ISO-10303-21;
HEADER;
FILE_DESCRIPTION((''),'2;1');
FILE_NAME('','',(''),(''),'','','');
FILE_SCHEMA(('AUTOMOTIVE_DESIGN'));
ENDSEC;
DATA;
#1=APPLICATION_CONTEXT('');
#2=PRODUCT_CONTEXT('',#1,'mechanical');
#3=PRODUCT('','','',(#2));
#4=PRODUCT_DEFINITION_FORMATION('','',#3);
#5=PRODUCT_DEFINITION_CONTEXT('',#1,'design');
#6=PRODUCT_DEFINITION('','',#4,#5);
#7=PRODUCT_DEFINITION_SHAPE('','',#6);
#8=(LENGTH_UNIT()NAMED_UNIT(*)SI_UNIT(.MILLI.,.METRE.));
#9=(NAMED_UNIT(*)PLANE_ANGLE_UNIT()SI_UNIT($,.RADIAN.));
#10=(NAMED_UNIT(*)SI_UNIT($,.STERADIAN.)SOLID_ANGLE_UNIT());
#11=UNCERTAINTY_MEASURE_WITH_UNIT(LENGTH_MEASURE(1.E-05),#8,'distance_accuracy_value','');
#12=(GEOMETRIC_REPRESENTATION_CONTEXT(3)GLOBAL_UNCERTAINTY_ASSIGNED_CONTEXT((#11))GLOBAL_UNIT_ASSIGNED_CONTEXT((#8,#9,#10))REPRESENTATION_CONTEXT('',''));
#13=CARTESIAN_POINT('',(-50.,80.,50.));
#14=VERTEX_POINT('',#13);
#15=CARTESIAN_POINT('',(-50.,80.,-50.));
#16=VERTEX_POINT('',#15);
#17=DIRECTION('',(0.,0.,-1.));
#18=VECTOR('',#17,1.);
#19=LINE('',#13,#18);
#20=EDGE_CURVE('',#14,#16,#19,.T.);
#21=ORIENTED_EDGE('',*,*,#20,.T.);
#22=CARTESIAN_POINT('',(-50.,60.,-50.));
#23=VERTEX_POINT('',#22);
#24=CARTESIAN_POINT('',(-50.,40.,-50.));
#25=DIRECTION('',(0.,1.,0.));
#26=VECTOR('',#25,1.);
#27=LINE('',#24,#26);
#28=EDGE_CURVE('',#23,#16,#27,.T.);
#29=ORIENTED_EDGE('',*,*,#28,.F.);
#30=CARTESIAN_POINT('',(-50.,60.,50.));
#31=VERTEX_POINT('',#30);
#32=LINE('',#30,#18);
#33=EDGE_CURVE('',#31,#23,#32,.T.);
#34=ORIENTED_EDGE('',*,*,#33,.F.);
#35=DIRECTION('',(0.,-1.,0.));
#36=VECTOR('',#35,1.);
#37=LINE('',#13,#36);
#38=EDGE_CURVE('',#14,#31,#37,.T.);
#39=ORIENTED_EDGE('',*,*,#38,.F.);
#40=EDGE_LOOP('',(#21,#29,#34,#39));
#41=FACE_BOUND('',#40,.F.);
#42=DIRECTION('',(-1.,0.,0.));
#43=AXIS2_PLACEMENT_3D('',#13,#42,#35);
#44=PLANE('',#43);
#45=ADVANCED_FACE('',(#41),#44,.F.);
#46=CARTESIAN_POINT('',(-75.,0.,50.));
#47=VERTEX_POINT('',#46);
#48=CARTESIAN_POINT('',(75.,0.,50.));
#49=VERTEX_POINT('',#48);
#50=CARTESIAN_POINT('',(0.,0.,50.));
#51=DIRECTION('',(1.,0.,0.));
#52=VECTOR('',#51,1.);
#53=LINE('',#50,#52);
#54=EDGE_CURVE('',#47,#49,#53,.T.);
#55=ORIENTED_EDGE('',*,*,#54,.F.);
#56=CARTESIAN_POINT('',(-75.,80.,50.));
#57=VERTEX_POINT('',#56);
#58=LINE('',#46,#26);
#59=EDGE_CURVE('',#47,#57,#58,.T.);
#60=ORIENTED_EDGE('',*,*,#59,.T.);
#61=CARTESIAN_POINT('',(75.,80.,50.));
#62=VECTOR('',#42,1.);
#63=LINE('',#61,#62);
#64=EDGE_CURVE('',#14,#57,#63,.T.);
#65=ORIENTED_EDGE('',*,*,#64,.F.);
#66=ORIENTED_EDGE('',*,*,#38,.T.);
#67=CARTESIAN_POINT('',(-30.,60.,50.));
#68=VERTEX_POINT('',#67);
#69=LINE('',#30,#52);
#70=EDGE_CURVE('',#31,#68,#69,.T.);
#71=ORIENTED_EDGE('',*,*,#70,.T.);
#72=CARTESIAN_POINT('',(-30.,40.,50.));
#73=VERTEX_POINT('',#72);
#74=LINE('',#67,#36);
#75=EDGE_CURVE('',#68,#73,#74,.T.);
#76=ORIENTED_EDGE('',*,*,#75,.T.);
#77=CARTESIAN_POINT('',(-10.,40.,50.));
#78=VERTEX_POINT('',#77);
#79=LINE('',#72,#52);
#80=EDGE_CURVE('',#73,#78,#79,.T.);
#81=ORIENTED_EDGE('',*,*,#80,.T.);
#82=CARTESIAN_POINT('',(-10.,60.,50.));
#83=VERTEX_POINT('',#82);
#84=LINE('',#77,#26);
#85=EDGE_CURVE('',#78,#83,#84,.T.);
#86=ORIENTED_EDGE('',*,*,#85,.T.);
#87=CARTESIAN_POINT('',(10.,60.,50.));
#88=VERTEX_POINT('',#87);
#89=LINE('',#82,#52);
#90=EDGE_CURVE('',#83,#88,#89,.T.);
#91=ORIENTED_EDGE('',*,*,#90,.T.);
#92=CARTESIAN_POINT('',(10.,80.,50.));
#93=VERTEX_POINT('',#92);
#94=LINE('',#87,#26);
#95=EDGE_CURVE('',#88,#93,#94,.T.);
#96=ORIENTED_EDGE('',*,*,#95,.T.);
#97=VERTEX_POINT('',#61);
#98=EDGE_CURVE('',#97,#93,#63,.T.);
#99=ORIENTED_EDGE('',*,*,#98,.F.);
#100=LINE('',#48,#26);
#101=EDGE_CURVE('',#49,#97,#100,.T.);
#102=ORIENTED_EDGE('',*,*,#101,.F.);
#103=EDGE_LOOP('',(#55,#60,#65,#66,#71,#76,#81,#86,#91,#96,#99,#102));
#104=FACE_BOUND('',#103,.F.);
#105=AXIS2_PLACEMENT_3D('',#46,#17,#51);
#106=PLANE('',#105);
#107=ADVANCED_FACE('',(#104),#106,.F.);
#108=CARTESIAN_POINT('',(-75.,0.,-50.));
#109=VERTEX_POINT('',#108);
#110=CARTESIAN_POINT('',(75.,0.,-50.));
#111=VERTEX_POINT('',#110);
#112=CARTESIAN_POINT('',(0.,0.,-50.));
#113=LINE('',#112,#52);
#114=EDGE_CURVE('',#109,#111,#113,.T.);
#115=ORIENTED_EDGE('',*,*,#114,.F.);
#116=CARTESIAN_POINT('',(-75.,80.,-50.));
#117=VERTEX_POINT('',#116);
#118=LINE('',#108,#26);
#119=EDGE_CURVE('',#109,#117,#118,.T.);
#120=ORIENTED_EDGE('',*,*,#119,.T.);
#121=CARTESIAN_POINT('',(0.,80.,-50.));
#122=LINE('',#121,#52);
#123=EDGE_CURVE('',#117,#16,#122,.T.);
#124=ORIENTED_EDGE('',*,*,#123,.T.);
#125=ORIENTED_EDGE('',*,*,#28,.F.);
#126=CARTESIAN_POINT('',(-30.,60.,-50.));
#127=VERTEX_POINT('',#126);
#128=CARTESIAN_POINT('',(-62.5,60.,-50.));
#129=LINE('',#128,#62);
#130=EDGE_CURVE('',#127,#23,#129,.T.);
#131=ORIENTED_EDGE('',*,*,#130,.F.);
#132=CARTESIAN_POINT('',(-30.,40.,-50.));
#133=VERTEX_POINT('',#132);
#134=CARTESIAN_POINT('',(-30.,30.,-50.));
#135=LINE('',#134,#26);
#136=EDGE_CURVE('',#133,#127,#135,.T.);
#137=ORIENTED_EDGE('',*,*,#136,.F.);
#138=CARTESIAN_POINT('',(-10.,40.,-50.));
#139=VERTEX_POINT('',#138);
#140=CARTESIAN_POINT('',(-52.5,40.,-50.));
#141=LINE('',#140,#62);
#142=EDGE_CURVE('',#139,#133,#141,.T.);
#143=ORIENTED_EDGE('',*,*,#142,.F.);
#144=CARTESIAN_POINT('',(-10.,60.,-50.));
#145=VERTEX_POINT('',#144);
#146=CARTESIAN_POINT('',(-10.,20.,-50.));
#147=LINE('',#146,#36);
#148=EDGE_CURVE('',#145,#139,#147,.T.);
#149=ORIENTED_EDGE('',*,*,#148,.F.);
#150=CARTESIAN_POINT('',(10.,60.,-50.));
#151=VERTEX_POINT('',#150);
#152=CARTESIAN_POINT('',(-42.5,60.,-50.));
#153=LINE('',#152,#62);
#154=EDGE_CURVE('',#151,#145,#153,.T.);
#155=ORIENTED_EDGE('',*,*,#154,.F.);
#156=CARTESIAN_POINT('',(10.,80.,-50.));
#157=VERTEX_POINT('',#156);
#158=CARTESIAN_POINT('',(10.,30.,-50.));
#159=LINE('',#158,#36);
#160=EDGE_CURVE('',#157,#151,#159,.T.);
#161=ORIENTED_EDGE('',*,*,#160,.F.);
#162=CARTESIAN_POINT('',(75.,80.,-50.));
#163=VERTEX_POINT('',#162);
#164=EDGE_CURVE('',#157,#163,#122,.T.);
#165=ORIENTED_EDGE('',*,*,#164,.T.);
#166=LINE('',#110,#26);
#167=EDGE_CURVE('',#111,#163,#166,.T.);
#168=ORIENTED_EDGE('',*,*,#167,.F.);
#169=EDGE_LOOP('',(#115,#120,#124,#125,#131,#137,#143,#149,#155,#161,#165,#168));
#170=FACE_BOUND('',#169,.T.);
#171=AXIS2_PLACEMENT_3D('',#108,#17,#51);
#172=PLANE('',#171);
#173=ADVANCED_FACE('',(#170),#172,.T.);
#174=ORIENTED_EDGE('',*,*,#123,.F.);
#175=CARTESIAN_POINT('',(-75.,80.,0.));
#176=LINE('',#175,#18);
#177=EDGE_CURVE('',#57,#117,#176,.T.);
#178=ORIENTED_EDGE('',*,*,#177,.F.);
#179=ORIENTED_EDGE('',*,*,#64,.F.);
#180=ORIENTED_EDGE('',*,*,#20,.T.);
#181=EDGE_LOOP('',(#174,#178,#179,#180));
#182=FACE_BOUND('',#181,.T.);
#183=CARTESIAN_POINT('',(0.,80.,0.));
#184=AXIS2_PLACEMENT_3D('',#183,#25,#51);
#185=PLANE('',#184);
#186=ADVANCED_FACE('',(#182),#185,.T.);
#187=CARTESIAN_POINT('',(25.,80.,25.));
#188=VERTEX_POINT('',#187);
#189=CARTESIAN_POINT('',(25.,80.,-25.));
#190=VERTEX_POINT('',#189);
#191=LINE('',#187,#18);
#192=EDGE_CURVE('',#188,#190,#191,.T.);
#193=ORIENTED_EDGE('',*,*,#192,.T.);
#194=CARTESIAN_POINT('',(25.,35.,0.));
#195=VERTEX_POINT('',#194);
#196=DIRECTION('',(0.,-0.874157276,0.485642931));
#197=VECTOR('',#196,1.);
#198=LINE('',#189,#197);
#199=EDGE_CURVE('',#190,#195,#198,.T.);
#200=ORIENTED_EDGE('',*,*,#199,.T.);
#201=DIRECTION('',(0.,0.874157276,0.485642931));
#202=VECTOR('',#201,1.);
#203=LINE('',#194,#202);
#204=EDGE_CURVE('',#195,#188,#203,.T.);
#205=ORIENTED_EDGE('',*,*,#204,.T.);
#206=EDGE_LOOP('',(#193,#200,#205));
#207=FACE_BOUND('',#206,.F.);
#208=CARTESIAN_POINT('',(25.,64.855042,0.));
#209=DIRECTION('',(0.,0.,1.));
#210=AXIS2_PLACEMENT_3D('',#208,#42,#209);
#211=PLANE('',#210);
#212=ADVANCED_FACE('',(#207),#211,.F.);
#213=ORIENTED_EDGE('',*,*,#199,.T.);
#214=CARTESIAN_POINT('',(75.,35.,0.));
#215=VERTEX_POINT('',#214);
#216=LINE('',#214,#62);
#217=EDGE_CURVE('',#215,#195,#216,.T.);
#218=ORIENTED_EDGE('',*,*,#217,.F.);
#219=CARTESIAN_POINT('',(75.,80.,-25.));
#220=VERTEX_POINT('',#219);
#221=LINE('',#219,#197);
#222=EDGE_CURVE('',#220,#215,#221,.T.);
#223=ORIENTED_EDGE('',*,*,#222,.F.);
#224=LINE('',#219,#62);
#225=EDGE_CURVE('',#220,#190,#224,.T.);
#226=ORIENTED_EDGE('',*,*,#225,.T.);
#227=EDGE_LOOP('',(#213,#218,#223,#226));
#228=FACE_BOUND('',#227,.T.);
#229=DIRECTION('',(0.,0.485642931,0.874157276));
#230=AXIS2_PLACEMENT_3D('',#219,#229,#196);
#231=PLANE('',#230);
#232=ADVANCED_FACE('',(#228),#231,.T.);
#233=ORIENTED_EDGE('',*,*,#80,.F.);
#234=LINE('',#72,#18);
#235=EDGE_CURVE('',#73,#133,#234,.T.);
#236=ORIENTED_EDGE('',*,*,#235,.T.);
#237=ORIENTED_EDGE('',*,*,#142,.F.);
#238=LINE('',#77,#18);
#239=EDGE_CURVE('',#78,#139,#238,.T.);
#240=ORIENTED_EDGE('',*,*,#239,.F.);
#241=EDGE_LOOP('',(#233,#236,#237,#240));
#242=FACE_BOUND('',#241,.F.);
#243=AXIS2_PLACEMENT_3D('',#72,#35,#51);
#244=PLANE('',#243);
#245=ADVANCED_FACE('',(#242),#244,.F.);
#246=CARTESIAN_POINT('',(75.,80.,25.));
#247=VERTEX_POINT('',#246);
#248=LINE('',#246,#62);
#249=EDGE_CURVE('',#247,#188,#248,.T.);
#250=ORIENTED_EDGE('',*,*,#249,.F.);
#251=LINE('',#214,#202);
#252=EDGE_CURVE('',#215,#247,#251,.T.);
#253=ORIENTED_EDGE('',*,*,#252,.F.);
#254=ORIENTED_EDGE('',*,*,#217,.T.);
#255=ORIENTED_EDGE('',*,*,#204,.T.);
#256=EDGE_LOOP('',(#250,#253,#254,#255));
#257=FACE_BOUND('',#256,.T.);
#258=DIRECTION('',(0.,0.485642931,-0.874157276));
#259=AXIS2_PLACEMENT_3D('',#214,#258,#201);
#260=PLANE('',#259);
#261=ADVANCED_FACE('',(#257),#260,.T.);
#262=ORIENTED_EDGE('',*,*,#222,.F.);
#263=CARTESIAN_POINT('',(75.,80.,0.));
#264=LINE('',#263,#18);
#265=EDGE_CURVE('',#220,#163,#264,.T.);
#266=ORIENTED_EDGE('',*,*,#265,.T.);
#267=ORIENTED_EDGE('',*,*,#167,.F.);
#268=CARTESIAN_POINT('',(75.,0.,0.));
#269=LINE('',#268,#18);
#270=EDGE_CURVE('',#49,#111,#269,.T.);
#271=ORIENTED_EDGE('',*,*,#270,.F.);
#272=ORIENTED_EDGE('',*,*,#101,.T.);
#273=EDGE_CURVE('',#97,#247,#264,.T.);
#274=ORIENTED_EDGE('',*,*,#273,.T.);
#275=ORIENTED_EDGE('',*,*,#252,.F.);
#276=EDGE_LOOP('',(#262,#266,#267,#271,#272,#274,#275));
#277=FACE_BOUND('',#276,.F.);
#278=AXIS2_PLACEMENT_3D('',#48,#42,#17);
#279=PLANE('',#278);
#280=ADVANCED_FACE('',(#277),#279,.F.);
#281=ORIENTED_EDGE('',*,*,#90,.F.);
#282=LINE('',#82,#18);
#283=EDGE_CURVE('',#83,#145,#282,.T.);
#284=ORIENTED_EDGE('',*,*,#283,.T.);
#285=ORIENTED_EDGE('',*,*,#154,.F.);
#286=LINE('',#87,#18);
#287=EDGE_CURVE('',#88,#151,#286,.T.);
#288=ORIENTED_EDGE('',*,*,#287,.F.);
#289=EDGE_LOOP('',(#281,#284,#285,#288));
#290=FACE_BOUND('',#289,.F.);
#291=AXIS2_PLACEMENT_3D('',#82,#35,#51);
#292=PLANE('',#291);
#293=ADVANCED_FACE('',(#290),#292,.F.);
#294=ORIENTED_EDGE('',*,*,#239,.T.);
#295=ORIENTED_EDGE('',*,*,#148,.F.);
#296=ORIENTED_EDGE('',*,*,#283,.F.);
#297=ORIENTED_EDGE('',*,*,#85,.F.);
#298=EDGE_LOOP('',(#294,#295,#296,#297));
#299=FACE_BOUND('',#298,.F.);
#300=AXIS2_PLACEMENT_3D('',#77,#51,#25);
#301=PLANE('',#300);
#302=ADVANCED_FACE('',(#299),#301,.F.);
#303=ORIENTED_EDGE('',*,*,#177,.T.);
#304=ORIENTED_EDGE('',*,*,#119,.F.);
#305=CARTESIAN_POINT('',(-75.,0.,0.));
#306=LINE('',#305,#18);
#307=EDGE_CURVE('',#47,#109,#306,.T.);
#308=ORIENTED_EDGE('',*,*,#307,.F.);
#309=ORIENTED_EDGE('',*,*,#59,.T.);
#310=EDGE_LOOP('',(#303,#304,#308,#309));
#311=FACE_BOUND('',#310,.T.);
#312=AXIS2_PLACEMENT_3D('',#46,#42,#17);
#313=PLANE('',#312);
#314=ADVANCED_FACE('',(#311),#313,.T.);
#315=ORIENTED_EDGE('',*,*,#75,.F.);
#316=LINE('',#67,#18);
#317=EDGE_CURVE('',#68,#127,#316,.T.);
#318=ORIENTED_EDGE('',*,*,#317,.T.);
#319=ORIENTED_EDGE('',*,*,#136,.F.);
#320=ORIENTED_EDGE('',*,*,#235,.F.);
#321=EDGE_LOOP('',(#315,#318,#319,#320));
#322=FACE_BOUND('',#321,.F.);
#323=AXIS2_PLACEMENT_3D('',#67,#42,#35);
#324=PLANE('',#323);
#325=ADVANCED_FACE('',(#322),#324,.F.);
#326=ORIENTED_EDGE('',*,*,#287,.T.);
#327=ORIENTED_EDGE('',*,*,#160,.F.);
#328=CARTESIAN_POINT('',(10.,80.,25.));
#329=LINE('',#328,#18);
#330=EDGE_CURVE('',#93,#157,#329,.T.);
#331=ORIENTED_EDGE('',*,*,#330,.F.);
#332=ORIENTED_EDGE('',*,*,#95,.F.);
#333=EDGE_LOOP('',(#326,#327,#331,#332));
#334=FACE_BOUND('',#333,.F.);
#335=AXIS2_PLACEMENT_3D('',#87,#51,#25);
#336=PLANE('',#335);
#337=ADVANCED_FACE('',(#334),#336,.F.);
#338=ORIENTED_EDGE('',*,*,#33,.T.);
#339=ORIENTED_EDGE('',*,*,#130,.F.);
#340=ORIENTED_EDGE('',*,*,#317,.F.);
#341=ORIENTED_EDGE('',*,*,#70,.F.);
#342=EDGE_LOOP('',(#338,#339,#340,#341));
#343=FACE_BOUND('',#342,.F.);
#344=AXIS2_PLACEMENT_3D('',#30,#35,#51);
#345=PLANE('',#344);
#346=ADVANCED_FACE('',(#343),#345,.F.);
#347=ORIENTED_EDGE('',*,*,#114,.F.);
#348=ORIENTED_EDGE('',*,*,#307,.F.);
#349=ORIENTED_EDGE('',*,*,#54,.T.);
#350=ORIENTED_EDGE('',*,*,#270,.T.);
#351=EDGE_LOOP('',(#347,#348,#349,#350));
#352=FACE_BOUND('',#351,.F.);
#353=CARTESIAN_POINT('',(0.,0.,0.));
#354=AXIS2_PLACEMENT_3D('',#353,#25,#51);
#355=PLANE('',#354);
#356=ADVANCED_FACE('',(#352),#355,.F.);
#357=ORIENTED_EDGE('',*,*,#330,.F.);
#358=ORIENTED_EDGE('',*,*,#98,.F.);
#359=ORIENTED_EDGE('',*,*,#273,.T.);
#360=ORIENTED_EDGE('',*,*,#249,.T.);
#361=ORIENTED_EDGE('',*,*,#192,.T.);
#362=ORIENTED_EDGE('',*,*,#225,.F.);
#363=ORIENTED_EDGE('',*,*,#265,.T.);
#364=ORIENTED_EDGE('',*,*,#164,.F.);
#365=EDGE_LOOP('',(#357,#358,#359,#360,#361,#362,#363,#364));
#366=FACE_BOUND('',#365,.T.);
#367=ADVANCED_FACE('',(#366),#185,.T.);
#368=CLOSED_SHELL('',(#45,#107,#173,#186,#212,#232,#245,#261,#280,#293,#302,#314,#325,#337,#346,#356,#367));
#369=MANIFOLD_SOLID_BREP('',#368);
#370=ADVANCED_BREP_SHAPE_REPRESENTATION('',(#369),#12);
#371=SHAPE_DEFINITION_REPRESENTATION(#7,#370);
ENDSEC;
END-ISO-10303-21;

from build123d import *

# Parameters (mm, degrees)
SKETCH1_W               = 150
SKETCH1_H               = 100
BOSS_EXTRUDE1_DEPTH     = 80
CUT_EXTRUDE1_DEPTH      = 50
CUT_EXTRUDE2_DEPTH      = 1
CUT_EXTRUDE2_DEPTH_BACK = 101


with BuildPart() as part:
    # Sketch1 → Boss-Extrude1 (new body)
    with BuildSketch(Plane(origin=(0, 0, 0), x_dir=(1, 0, 0), z_dir=(0, 1, 0))):
        Rectangle(SKETCH1_W, SKETCH1_H)
    extrude(amount=BOSS_EXTRUDE1_DEPTH)

    # Sketch2 → Cut-Extrude1 (cut)
    with BuildSketch(Plane(origin=(75, 0, 0), x_dir=(0, 0, -1), z_dir=(1, 0, 0))):
        Polygon((-25, 80), (25, 80), (0, 35), align=None)
    extrude(amount=-CUT_EXTRUDE1_DEPTH, mode=Mode.SUBTRACT)

    # Sketch3 → Cut-Extrude2 (cut, two sides)
    with BuildSketch(Plane.XY.offset(50)) as cut_extrude2_sk:
        Polygon((-425, 80), (-75, 80), (-50, 80), (-50, 60), (-30, 60), (-30, 40), (-10, 40), (-10, 60), (10, 60), (10, 80), (10, 430), (-428.813790469, 975.382853869), (-863.813790469, 625.382853869), align=None)
    extrude(amount=CUT_EXTRUDE2_DEPTH, mode=Mode.SUBTRACT)
    extrude(cut_extrude2_sk.sketch, amount=-CUT_EXTRUDE2_DEPTH_BACK, mode=Mode.SUBTRACT)


solid = part.part
